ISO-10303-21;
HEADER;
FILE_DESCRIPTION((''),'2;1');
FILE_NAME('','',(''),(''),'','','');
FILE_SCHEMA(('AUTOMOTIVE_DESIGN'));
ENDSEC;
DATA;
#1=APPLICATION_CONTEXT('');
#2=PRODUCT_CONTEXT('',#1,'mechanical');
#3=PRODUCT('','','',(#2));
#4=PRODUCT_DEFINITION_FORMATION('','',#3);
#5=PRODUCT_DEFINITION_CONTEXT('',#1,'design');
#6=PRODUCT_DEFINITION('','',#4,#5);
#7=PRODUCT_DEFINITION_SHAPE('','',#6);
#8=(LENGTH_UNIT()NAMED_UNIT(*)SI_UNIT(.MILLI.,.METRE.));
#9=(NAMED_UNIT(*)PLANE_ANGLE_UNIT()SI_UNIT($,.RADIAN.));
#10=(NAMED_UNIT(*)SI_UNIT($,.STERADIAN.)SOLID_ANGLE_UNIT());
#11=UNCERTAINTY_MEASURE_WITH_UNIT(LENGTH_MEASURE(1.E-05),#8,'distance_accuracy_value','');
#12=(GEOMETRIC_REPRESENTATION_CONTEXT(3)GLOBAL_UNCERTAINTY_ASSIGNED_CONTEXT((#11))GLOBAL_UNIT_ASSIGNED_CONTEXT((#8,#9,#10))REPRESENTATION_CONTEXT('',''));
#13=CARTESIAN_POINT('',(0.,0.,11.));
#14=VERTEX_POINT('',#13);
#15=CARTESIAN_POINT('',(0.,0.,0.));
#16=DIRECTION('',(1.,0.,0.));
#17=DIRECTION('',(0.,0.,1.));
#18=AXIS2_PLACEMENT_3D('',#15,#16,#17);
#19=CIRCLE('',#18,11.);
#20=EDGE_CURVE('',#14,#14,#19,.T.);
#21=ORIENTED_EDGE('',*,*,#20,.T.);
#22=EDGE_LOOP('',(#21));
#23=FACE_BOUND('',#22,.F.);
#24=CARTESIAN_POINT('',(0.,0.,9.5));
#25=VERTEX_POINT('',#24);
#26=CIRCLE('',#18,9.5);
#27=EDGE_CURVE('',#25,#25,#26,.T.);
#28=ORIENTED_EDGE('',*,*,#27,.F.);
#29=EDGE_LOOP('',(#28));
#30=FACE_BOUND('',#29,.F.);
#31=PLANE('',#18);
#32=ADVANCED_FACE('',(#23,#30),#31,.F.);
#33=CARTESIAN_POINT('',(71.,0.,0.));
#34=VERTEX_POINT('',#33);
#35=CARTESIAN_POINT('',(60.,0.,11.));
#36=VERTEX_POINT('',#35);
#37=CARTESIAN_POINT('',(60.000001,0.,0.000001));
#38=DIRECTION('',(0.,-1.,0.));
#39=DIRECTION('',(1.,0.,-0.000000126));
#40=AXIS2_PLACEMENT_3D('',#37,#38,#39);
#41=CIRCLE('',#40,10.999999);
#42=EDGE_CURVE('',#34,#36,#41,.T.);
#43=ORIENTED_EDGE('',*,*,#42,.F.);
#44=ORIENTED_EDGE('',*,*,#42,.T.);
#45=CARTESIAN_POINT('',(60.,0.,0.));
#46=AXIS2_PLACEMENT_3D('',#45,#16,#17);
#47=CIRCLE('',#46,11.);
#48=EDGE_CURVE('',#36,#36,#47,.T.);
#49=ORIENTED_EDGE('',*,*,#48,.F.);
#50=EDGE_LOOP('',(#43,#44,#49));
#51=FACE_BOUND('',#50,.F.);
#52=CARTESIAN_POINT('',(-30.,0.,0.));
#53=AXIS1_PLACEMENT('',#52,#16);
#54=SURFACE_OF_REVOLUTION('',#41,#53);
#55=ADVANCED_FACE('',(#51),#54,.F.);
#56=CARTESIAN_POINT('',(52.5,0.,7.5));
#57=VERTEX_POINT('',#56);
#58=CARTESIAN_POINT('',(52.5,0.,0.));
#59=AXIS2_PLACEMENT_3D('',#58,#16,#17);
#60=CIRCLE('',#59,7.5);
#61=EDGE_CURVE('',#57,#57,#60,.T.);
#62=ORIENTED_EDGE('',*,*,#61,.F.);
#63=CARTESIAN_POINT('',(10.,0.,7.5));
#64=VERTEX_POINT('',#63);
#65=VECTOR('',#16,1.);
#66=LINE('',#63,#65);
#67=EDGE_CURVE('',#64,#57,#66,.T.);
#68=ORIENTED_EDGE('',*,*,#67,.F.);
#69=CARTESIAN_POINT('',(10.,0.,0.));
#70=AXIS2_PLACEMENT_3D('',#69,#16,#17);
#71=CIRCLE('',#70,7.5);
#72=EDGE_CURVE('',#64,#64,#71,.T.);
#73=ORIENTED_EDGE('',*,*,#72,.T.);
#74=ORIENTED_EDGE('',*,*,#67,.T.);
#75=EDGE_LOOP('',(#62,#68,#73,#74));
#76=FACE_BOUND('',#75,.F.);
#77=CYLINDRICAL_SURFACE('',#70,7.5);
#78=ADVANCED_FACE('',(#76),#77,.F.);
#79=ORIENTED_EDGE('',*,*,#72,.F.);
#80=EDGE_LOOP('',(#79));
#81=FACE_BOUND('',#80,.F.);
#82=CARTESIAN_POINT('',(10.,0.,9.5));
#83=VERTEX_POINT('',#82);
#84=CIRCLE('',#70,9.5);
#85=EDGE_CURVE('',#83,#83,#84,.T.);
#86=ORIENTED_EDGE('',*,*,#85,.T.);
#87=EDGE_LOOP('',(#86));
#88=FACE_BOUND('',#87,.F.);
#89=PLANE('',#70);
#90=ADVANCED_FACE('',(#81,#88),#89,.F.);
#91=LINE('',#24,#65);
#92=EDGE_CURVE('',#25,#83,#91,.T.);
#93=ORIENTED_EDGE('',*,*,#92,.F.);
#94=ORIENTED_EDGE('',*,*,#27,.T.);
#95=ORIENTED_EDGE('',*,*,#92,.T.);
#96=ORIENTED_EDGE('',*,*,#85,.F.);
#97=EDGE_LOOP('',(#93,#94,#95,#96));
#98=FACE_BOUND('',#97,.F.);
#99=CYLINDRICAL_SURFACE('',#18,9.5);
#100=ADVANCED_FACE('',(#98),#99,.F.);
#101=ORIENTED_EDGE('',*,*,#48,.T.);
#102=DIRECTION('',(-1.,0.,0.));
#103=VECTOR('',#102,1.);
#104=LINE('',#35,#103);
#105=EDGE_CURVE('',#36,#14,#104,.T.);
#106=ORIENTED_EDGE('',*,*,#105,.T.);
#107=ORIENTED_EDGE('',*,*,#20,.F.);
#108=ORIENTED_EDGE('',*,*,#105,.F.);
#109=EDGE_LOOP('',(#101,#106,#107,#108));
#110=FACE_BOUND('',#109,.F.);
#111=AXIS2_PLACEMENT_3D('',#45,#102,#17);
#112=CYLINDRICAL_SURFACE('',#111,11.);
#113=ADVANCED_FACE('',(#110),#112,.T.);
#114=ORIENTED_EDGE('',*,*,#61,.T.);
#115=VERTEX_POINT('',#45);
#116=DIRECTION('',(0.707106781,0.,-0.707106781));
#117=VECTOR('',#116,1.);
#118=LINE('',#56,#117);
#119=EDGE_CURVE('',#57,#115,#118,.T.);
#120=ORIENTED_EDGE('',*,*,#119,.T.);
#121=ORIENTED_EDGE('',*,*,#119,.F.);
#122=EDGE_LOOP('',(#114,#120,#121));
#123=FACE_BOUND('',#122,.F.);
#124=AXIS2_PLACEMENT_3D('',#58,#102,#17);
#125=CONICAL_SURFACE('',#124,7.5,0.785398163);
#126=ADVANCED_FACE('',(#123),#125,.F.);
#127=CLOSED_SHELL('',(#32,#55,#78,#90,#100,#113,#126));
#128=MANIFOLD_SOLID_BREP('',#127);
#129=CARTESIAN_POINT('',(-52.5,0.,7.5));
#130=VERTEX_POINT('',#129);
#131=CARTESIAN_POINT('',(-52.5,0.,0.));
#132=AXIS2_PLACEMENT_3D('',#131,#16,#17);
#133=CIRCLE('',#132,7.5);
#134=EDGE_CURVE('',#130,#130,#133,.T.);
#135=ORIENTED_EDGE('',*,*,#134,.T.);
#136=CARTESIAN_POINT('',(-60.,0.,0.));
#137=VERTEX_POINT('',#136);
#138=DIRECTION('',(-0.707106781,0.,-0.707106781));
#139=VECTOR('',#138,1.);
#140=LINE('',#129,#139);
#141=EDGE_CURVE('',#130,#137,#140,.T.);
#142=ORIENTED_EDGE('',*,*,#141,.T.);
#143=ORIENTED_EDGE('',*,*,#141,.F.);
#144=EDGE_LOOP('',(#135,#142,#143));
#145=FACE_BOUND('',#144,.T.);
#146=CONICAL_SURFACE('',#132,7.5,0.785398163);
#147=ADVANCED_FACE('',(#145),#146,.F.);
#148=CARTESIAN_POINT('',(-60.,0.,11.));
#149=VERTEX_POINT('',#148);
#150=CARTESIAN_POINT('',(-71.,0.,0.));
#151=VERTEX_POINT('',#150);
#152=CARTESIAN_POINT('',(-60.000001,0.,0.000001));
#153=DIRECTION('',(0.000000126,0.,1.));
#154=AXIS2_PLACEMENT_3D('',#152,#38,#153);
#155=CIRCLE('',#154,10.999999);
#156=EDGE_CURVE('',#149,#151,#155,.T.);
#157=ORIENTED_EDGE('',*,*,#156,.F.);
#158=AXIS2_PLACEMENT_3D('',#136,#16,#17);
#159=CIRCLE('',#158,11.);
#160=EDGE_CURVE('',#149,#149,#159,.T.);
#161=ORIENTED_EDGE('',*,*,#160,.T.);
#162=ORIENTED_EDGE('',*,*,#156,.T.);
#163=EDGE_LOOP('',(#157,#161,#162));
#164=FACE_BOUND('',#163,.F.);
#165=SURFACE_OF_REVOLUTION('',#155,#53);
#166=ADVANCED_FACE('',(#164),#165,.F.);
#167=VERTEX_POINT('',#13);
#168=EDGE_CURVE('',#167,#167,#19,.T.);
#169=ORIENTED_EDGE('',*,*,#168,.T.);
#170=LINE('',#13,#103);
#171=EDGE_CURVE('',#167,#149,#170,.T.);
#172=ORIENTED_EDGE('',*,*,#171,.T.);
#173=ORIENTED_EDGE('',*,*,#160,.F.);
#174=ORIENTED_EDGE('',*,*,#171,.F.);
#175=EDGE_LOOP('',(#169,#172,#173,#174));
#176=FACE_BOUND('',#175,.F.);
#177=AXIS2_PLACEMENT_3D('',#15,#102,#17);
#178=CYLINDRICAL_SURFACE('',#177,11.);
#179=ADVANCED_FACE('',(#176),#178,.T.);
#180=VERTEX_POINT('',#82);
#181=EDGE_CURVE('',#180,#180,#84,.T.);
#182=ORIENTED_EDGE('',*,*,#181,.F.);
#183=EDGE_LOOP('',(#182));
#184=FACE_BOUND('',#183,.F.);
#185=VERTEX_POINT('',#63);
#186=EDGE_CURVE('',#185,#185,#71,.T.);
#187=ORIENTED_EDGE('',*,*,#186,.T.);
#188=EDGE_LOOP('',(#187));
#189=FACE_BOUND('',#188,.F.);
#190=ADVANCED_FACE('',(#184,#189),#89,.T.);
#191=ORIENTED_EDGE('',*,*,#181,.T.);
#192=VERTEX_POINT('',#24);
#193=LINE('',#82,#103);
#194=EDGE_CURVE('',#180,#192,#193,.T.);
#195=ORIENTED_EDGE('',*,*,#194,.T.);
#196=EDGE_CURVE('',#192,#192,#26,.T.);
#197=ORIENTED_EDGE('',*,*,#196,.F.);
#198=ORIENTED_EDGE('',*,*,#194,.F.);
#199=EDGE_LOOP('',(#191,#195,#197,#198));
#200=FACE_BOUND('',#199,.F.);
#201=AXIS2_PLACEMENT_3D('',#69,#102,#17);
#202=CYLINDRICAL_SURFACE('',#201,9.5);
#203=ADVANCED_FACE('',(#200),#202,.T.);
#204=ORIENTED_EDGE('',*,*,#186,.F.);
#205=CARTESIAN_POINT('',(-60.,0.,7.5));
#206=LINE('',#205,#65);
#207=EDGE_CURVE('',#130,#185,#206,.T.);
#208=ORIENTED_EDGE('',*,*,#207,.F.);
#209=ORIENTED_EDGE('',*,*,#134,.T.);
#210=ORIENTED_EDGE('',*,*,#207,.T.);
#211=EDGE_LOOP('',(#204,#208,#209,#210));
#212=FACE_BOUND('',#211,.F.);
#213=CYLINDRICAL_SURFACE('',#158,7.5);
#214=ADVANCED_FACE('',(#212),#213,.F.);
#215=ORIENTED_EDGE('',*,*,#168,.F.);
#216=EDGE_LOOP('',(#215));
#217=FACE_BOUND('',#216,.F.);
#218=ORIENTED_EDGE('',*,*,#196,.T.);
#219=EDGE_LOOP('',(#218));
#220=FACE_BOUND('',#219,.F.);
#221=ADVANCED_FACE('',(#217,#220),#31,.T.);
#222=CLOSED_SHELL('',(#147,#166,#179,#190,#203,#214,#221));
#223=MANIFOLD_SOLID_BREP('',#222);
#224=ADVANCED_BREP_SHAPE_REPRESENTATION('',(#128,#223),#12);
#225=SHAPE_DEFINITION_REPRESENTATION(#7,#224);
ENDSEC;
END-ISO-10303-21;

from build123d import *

# Parameters (mm, degrees)
F3_SIZE = 7.5
F4_SIZE = 7.5


with BuildPart() as f1:
    # F0 (on Front) → F1 (revolve)
    with BuildSketch(Plane.XZ):
        with BuildLine():
            Line((10, 9.5), (10, 7.5))
            Line((10, 7.5), (60, 7.5))
            Line((60, 7.5), (60, 0))
            Line((60, 0), (71, 0))
            ThreePointArc((71, 0), (67.778175, 7.778175), (60, 11))
            Line((60, 11), (0, 11))
            Line((0, 11), (0, 9.5))
            Line((0, 9.5), (10, 9.5))
        make_face()
    revolve(axis=Axis((-30, 0, 0), (1, 0, 0)))

    # F4
    f4_edges = [f1.edges().sort_by_distance(p)[0] for p in [
        (60, 0, -7.5),
    ]]
    chamfer(f4_edges, length=F4_SIZE)


with BuildPart() as f2:
    # F0 (on Front) → F2 (revolve)
    with BuildSketch(Plane.XZ):
        Polygon((-60, 7.5), (0, 7.5), (10, 7.5), (10, 9.5), (0, 9.5), (0, 11), (-60, 11), align=None)
        with BuildLine():
            Line((-60, 0), (-60, 7.5))
            Line((-60, 7.5), (-60, 11))
            ThreePointArc((-60, 11), (-67.778175, 7.778175), (-71, 0))
            Line((-71, 0), (-60, 0))
        make_face()
    revolve(axis=Axis((-30, 0, 0), (1, 0, 0)))

    # F3
    f3_edges = [f2.edges().sort_by_distance(p)[0] for p in [
        (-60, 0, -7.5),
    ]]
    chamfer(f3_edges, length=F3_SIZE)


solid = Compound([f1.part, f2.part])
